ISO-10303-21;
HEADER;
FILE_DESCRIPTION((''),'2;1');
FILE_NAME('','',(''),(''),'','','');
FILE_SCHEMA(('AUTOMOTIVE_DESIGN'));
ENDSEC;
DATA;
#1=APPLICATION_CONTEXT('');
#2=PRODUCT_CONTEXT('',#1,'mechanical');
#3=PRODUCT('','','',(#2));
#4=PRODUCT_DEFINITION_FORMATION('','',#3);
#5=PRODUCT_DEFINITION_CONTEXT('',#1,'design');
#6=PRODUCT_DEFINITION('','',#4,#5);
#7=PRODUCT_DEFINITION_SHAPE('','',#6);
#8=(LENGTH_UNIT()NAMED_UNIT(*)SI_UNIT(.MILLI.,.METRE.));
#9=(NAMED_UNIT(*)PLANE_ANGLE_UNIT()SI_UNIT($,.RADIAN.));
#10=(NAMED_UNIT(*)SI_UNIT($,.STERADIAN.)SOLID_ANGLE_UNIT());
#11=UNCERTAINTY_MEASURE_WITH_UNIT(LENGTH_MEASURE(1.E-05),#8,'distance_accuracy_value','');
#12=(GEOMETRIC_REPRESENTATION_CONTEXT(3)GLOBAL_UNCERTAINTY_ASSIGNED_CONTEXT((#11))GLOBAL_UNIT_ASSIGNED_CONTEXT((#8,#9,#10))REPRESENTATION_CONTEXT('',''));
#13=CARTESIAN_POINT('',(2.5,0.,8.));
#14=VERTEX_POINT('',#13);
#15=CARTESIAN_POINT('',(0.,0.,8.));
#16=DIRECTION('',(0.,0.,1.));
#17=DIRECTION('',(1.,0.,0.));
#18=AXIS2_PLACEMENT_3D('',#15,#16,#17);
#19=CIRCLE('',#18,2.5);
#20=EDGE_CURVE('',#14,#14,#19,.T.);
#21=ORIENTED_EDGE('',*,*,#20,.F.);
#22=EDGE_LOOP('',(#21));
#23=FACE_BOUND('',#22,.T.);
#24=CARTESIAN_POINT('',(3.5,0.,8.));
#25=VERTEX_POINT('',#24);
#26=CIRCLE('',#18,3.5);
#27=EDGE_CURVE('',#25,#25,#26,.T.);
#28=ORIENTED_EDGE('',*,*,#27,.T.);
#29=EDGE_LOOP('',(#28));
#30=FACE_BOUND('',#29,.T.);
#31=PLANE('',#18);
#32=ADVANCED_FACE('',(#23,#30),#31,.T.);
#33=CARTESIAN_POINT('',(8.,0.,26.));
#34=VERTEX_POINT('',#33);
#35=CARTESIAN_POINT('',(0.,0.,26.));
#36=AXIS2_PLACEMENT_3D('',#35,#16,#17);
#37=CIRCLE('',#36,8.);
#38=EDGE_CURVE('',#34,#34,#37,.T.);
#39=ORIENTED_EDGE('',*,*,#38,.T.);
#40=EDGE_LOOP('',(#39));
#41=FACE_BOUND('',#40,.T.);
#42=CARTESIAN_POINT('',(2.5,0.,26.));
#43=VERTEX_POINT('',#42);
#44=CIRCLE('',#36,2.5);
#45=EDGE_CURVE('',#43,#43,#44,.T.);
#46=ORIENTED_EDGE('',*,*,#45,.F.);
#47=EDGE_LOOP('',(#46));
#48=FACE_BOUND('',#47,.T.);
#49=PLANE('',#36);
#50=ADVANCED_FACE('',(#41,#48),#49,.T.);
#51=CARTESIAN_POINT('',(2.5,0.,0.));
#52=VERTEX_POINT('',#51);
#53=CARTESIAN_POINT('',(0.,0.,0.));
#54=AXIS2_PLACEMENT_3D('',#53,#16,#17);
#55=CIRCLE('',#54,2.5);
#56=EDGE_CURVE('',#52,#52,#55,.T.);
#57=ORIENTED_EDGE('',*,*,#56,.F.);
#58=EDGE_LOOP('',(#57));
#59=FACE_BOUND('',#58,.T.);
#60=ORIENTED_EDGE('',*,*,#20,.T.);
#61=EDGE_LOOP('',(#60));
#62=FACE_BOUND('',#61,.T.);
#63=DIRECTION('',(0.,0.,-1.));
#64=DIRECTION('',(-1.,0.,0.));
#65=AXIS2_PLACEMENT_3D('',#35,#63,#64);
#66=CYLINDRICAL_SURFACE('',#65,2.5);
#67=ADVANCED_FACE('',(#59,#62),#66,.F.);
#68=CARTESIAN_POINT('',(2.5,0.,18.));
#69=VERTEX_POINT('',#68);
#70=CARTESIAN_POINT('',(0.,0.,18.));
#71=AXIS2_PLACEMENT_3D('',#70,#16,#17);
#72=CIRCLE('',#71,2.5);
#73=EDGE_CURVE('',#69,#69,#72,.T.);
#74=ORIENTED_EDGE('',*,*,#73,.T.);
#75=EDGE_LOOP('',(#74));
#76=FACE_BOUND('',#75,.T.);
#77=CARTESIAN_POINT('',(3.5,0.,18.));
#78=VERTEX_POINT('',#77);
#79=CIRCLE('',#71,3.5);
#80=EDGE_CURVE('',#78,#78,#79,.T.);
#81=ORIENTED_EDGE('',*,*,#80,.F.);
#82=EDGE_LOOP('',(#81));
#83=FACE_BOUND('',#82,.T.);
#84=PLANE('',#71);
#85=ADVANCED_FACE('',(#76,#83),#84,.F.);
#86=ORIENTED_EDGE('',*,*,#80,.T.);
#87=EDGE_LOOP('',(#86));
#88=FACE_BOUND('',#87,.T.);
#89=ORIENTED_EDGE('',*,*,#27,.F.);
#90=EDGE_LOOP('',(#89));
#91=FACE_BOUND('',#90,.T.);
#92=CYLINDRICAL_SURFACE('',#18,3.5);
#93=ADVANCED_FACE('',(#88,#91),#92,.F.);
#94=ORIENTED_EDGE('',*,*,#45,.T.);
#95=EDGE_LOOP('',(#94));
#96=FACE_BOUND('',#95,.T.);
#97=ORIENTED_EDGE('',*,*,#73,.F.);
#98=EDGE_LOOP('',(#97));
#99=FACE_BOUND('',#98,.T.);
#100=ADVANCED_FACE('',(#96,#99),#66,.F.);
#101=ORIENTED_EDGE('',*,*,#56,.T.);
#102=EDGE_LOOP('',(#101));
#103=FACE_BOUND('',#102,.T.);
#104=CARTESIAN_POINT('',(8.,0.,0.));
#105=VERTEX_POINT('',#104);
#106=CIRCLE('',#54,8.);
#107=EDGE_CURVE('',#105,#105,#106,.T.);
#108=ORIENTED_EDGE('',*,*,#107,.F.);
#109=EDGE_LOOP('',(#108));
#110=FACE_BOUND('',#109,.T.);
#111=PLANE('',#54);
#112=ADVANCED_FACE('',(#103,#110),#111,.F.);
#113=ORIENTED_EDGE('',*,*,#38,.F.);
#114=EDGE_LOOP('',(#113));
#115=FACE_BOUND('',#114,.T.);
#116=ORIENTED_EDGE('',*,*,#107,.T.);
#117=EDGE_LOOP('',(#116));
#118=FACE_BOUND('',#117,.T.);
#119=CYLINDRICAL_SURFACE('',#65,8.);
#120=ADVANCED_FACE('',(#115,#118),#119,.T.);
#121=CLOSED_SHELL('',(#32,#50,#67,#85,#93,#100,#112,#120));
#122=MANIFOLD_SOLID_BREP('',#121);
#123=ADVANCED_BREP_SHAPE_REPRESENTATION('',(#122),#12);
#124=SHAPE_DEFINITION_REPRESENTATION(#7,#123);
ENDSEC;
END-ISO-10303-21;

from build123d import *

# Parameters (mm, degrees)
SKETCH1_R           = 8
SKETCH1_R_2         = 2.5
BOSS_EXTRUDE1_DEPTH = 26
SKETCH2_R           = 3.5
CUT_EXTRUDE1_DEPTH  = 10


with BuildPart() as part:
    # Sketch1 → Boss-Extrude1 (new body)
    with BuildSketch(Plane.XY):
        Circle(SKETCH1_R)
        Circle(SKETCH1_R_2, mode=Mode.SUBTRACT)
    extrude(amount=BOSS_EXTRUDE1_DEPTH)

    # Sketch2 → Cut-Extrude1 (cut)
    with BuildSketch(Plane.XY.offset(18)):
        Circle(SKETCH2_R)
    extrude(amount=-CUT_EXTRUDE1_DEPTH, mode=Mode.SUBTRACT)


solid = part.part
